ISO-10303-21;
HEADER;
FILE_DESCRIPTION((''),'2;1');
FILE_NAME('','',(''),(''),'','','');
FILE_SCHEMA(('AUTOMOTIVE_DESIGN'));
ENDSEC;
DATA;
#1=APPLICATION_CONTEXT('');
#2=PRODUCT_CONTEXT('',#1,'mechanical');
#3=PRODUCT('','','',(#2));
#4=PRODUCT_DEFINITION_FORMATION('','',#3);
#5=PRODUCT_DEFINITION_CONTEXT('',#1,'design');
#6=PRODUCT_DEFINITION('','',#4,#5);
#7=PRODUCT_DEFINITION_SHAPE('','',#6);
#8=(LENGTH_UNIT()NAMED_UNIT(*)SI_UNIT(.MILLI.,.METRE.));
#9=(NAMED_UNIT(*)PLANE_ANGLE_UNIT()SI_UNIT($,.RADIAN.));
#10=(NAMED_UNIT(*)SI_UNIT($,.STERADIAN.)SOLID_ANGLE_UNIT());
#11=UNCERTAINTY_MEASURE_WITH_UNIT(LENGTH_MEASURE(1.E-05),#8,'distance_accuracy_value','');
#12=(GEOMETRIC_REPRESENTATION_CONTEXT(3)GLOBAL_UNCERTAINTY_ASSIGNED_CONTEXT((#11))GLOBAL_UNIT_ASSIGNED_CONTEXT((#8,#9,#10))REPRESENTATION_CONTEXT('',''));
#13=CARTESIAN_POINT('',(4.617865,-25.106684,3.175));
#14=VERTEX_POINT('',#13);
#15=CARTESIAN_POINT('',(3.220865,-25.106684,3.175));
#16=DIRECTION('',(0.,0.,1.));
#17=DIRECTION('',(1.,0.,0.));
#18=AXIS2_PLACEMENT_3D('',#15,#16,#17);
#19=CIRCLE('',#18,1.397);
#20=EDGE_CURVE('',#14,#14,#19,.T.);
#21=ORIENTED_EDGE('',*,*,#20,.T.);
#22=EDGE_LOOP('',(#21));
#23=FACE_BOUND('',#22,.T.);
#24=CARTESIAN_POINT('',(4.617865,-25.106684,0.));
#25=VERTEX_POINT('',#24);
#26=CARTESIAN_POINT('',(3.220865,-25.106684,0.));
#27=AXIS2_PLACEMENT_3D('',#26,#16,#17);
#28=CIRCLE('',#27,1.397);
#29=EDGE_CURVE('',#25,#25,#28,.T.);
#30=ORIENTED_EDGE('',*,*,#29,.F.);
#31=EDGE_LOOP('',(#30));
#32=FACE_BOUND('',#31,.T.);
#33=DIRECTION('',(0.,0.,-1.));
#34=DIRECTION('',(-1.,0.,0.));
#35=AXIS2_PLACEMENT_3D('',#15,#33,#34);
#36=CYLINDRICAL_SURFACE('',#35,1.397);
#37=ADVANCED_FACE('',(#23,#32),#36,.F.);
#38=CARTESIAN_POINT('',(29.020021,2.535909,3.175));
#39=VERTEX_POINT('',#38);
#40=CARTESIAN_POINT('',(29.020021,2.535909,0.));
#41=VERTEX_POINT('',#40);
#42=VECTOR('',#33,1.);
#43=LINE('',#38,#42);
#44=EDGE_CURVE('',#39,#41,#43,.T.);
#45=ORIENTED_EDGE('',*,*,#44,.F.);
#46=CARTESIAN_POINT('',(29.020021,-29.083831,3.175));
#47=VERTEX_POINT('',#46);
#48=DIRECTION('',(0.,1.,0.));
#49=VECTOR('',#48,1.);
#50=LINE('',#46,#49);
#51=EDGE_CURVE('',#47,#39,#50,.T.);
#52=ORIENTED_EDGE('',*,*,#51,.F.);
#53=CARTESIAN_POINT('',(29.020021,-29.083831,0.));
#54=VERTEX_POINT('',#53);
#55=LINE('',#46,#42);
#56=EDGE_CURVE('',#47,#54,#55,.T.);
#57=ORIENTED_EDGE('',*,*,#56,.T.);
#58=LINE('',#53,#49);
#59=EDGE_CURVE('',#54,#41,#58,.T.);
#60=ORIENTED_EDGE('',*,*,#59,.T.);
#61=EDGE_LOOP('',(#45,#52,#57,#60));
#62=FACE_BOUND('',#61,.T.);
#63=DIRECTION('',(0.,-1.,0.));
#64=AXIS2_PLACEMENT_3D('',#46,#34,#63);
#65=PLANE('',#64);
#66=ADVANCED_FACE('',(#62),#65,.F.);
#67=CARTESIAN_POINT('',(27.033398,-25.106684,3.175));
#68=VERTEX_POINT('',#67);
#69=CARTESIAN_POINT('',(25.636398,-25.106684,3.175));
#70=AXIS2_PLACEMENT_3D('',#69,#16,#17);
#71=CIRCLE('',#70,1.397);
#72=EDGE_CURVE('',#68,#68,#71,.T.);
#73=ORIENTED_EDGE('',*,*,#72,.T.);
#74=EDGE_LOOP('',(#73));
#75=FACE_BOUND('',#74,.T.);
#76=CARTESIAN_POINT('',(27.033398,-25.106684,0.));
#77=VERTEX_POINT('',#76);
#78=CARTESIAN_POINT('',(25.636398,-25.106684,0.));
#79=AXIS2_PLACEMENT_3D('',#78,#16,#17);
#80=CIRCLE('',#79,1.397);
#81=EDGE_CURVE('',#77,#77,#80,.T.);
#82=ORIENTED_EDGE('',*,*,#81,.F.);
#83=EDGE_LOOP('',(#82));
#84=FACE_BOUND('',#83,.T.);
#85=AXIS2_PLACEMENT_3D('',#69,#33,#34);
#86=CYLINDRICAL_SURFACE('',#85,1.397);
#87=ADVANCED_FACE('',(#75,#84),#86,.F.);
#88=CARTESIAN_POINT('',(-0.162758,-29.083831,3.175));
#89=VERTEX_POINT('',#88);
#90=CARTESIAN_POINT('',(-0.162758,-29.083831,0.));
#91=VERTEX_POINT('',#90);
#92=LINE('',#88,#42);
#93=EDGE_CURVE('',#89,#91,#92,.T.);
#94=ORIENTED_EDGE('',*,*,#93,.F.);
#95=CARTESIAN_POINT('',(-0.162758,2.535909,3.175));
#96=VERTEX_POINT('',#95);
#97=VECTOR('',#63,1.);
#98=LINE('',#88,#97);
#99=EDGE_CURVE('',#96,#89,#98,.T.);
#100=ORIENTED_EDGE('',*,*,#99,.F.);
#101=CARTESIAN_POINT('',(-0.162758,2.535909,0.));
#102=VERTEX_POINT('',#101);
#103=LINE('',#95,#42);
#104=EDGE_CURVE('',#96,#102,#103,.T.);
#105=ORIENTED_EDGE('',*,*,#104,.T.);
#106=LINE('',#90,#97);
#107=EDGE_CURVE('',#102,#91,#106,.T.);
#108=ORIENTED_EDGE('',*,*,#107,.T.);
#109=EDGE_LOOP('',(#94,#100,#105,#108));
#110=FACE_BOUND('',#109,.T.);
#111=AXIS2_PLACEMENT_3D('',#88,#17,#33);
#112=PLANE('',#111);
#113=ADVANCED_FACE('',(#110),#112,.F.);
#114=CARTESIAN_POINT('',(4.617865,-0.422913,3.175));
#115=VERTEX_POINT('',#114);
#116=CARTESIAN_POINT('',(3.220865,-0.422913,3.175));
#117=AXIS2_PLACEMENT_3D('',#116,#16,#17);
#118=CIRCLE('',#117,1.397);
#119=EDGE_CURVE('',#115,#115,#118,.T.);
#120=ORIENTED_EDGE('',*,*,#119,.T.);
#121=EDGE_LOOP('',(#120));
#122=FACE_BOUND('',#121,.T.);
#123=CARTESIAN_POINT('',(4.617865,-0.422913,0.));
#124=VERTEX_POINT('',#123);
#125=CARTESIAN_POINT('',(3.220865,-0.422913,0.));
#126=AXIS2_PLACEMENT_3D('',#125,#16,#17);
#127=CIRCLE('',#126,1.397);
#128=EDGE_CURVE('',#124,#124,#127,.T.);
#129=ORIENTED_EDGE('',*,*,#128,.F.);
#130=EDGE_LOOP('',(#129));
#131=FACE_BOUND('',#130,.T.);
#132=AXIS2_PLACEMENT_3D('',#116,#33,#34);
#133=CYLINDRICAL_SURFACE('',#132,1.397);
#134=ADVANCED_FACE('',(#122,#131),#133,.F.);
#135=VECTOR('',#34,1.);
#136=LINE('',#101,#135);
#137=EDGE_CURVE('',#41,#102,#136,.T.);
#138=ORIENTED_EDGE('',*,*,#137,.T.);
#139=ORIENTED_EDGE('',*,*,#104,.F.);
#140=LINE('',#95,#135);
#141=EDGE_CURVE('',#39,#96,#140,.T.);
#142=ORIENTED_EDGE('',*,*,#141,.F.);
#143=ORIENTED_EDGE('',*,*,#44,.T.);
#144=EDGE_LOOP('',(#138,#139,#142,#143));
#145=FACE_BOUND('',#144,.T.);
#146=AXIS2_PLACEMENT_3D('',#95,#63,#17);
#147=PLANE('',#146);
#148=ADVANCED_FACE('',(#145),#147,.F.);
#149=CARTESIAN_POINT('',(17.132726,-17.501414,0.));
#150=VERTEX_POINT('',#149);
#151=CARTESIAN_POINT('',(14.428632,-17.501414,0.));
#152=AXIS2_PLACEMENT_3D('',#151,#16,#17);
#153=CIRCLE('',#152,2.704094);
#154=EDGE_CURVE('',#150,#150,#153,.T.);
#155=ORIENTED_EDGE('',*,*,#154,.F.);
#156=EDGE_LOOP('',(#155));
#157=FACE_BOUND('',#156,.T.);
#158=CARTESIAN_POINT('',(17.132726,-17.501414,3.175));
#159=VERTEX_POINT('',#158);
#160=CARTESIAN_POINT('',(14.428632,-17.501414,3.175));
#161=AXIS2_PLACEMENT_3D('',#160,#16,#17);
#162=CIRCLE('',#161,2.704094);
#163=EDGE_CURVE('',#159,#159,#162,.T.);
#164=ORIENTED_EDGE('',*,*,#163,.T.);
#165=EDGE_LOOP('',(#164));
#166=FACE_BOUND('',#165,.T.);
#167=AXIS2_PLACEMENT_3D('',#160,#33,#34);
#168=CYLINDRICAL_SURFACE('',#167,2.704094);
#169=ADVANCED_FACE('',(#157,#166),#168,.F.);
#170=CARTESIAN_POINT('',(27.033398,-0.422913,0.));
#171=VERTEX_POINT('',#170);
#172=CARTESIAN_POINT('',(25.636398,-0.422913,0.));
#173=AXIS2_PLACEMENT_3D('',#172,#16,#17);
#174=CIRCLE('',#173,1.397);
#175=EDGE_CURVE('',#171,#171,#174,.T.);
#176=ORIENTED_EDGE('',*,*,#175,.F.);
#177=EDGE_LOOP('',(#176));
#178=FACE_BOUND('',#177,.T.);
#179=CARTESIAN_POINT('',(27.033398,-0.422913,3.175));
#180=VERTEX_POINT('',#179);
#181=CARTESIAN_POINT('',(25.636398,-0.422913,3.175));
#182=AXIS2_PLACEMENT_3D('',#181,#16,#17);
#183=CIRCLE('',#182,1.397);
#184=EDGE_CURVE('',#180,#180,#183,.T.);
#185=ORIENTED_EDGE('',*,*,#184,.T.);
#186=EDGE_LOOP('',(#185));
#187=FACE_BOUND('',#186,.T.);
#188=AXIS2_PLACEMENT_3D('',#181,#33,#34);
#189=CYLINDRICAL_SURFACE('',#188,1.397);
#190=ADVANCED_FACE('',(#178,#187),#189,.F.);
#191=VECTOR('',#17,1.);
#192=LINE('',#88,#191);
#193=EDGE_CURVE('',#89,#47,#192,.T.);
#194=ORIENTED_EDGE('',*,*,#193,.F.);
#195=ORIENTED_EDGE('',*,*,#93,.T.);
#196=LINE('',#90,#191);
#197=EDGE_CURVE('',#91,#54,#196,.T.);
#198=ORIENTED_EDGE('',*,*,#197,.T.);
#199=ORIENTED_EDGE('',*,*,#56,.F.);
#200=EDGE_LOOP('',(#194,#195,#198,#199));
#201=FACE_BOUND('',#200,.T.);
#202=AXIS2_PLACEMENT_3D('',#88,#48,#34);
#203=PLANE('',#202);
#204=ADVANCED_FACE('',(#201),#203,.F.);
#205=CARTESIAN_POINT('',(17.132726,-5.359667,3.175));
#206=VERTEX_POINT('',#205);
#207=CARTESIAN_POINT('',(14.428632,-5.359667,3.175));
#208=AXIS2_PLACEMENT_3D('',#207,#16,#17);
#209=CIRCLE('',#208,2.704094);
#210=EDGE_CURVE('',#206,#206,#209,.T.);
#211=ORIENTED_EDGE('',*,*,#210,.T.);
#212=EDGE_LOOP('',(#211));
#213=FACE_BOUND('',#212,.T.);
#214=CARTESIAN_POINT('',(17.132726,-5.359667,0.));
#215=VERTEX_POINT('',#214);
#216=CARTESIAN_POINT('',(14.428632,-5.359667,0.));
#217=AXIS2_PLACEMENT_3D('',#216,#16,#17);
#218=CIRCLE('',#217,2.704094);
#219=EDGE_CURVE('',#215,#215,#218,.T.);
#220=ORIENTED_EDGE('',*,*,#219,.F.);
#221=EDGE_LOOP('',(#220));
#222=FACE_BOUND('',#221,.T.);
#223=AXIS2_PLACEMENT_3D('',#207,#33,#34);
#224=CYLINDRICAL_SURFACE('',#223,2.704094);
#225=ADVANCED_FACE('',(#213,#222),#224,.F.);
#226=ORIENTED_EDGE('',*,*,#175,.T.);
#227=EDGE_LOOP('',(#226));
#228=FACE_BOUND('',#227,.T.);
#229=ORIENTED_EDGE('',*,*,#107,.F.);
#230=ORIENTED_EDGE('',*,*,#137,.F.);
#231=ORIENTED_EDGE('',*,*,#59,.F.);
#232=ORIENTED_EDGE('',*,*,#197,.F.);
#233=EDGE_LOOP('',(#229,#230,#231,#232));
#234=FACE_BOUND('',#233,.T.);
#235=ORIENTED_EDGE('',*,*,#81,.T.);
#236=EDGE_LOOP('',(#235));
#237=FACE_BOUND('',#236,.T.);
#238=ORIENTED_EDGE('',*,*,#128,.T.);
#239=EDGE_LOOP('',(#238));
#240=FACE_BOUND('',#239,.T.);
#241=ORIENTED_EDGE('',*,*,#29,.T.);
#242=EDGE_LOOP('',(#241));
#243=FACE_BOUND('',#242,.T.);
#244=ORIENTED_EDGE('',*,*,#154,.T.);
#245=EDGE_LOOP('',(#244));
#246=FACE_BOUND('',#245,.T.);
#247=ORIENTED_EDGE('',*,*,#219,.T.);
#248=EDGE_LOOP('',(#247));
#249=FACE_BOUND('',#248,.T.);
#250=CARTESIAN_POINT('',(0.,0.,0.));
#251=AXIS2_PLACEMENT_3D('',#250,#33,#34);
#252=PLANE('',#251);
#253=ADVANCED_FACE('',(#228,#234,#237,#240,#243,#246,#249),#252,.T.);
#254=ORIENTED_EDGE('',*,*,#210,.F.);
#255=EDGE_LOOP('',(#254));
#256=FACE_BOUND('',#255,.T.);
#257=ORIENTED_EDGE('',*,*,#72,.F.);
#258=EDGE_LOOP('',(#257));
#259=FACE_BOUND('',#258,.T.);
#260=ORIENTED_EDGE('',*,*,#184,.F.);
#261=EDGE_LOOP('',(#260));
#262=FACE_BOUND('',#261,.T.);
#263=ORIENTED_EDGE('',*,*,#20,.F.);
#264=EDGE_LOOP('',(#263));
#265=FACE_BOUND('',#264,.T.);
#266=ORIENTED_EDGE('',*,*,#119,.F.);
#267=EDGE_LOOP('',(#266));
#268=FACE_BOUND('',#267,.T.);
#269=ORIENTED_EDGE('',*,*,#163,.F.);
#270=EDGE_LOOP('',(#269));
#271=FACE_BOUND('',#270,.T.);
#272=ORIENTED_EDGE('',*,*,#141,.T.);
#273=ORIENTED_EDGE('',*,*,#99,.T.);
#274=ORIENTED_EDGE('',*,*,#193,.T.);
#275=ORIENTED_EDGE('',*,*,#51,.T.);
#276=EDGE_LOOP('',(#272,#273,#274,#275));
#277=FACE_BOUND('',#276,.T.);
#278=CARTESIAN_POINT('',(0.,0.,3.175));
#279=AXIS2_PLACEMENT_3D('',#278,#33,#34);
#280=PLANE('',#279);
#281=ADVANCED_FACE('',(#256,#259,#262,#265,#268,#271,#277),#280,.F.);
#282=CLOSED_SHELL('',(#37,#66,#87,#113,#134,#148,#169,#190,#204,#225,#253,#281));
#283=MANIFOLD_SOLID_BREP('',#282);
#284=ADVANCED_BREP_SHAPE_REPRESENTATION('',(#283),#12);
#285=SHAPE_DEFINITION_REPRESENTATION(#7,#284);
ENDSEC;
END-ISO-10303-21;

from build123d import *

# Parameters (mm, degrees)
SKETCH1_W           = 29.182779401
SKETCH1_H           = 31.619740081
SKETCH1_R           = 1.397
SKETCH1_R_2         = 2.704093906
BOSS_EXTRUDE1_DEPTH = 3.175


with BuildPart() as part:
    # Sketch1 → Boss-Extrude1 (new body)
    with BuildSketch(Plane.XY):
        with Locations((14.428631608, -13.273961345)):
            Rectangle(SKETCH1_W, SKETCH1_H)
        with Locations((3.220865479, -0.422913296)):
            Circle(SKETCH1_R, mode=Mode.SUBTRACT)
        with Locations((25.636397737, -0.422913296)):
            Circle(SKETCH1_R, mode=Mode.SUBTRACT)
        with Locations((25.636397737, -25.106684096)):
            Circle(SKETCH1_R, mode=Mode.SUBTRACT)
        with Locations((3.220865479, -25.106684096)):
            Circle(SKETCH1_R, mode=Mode.SUBTRACT)
        with Locations((14.428631608, -5.35966738)):
            Circle(SKETCH1_R_2, mode=Mode.SUBTRACT)
        with Locations((14.428631608, -17.501414064)):
            Circle(SKETCH1_R_2, mode=Mode.SUBTRACT)
    extrude(amount=BOSS_EXTRUDE1_DEPTH)


solid = part.part
